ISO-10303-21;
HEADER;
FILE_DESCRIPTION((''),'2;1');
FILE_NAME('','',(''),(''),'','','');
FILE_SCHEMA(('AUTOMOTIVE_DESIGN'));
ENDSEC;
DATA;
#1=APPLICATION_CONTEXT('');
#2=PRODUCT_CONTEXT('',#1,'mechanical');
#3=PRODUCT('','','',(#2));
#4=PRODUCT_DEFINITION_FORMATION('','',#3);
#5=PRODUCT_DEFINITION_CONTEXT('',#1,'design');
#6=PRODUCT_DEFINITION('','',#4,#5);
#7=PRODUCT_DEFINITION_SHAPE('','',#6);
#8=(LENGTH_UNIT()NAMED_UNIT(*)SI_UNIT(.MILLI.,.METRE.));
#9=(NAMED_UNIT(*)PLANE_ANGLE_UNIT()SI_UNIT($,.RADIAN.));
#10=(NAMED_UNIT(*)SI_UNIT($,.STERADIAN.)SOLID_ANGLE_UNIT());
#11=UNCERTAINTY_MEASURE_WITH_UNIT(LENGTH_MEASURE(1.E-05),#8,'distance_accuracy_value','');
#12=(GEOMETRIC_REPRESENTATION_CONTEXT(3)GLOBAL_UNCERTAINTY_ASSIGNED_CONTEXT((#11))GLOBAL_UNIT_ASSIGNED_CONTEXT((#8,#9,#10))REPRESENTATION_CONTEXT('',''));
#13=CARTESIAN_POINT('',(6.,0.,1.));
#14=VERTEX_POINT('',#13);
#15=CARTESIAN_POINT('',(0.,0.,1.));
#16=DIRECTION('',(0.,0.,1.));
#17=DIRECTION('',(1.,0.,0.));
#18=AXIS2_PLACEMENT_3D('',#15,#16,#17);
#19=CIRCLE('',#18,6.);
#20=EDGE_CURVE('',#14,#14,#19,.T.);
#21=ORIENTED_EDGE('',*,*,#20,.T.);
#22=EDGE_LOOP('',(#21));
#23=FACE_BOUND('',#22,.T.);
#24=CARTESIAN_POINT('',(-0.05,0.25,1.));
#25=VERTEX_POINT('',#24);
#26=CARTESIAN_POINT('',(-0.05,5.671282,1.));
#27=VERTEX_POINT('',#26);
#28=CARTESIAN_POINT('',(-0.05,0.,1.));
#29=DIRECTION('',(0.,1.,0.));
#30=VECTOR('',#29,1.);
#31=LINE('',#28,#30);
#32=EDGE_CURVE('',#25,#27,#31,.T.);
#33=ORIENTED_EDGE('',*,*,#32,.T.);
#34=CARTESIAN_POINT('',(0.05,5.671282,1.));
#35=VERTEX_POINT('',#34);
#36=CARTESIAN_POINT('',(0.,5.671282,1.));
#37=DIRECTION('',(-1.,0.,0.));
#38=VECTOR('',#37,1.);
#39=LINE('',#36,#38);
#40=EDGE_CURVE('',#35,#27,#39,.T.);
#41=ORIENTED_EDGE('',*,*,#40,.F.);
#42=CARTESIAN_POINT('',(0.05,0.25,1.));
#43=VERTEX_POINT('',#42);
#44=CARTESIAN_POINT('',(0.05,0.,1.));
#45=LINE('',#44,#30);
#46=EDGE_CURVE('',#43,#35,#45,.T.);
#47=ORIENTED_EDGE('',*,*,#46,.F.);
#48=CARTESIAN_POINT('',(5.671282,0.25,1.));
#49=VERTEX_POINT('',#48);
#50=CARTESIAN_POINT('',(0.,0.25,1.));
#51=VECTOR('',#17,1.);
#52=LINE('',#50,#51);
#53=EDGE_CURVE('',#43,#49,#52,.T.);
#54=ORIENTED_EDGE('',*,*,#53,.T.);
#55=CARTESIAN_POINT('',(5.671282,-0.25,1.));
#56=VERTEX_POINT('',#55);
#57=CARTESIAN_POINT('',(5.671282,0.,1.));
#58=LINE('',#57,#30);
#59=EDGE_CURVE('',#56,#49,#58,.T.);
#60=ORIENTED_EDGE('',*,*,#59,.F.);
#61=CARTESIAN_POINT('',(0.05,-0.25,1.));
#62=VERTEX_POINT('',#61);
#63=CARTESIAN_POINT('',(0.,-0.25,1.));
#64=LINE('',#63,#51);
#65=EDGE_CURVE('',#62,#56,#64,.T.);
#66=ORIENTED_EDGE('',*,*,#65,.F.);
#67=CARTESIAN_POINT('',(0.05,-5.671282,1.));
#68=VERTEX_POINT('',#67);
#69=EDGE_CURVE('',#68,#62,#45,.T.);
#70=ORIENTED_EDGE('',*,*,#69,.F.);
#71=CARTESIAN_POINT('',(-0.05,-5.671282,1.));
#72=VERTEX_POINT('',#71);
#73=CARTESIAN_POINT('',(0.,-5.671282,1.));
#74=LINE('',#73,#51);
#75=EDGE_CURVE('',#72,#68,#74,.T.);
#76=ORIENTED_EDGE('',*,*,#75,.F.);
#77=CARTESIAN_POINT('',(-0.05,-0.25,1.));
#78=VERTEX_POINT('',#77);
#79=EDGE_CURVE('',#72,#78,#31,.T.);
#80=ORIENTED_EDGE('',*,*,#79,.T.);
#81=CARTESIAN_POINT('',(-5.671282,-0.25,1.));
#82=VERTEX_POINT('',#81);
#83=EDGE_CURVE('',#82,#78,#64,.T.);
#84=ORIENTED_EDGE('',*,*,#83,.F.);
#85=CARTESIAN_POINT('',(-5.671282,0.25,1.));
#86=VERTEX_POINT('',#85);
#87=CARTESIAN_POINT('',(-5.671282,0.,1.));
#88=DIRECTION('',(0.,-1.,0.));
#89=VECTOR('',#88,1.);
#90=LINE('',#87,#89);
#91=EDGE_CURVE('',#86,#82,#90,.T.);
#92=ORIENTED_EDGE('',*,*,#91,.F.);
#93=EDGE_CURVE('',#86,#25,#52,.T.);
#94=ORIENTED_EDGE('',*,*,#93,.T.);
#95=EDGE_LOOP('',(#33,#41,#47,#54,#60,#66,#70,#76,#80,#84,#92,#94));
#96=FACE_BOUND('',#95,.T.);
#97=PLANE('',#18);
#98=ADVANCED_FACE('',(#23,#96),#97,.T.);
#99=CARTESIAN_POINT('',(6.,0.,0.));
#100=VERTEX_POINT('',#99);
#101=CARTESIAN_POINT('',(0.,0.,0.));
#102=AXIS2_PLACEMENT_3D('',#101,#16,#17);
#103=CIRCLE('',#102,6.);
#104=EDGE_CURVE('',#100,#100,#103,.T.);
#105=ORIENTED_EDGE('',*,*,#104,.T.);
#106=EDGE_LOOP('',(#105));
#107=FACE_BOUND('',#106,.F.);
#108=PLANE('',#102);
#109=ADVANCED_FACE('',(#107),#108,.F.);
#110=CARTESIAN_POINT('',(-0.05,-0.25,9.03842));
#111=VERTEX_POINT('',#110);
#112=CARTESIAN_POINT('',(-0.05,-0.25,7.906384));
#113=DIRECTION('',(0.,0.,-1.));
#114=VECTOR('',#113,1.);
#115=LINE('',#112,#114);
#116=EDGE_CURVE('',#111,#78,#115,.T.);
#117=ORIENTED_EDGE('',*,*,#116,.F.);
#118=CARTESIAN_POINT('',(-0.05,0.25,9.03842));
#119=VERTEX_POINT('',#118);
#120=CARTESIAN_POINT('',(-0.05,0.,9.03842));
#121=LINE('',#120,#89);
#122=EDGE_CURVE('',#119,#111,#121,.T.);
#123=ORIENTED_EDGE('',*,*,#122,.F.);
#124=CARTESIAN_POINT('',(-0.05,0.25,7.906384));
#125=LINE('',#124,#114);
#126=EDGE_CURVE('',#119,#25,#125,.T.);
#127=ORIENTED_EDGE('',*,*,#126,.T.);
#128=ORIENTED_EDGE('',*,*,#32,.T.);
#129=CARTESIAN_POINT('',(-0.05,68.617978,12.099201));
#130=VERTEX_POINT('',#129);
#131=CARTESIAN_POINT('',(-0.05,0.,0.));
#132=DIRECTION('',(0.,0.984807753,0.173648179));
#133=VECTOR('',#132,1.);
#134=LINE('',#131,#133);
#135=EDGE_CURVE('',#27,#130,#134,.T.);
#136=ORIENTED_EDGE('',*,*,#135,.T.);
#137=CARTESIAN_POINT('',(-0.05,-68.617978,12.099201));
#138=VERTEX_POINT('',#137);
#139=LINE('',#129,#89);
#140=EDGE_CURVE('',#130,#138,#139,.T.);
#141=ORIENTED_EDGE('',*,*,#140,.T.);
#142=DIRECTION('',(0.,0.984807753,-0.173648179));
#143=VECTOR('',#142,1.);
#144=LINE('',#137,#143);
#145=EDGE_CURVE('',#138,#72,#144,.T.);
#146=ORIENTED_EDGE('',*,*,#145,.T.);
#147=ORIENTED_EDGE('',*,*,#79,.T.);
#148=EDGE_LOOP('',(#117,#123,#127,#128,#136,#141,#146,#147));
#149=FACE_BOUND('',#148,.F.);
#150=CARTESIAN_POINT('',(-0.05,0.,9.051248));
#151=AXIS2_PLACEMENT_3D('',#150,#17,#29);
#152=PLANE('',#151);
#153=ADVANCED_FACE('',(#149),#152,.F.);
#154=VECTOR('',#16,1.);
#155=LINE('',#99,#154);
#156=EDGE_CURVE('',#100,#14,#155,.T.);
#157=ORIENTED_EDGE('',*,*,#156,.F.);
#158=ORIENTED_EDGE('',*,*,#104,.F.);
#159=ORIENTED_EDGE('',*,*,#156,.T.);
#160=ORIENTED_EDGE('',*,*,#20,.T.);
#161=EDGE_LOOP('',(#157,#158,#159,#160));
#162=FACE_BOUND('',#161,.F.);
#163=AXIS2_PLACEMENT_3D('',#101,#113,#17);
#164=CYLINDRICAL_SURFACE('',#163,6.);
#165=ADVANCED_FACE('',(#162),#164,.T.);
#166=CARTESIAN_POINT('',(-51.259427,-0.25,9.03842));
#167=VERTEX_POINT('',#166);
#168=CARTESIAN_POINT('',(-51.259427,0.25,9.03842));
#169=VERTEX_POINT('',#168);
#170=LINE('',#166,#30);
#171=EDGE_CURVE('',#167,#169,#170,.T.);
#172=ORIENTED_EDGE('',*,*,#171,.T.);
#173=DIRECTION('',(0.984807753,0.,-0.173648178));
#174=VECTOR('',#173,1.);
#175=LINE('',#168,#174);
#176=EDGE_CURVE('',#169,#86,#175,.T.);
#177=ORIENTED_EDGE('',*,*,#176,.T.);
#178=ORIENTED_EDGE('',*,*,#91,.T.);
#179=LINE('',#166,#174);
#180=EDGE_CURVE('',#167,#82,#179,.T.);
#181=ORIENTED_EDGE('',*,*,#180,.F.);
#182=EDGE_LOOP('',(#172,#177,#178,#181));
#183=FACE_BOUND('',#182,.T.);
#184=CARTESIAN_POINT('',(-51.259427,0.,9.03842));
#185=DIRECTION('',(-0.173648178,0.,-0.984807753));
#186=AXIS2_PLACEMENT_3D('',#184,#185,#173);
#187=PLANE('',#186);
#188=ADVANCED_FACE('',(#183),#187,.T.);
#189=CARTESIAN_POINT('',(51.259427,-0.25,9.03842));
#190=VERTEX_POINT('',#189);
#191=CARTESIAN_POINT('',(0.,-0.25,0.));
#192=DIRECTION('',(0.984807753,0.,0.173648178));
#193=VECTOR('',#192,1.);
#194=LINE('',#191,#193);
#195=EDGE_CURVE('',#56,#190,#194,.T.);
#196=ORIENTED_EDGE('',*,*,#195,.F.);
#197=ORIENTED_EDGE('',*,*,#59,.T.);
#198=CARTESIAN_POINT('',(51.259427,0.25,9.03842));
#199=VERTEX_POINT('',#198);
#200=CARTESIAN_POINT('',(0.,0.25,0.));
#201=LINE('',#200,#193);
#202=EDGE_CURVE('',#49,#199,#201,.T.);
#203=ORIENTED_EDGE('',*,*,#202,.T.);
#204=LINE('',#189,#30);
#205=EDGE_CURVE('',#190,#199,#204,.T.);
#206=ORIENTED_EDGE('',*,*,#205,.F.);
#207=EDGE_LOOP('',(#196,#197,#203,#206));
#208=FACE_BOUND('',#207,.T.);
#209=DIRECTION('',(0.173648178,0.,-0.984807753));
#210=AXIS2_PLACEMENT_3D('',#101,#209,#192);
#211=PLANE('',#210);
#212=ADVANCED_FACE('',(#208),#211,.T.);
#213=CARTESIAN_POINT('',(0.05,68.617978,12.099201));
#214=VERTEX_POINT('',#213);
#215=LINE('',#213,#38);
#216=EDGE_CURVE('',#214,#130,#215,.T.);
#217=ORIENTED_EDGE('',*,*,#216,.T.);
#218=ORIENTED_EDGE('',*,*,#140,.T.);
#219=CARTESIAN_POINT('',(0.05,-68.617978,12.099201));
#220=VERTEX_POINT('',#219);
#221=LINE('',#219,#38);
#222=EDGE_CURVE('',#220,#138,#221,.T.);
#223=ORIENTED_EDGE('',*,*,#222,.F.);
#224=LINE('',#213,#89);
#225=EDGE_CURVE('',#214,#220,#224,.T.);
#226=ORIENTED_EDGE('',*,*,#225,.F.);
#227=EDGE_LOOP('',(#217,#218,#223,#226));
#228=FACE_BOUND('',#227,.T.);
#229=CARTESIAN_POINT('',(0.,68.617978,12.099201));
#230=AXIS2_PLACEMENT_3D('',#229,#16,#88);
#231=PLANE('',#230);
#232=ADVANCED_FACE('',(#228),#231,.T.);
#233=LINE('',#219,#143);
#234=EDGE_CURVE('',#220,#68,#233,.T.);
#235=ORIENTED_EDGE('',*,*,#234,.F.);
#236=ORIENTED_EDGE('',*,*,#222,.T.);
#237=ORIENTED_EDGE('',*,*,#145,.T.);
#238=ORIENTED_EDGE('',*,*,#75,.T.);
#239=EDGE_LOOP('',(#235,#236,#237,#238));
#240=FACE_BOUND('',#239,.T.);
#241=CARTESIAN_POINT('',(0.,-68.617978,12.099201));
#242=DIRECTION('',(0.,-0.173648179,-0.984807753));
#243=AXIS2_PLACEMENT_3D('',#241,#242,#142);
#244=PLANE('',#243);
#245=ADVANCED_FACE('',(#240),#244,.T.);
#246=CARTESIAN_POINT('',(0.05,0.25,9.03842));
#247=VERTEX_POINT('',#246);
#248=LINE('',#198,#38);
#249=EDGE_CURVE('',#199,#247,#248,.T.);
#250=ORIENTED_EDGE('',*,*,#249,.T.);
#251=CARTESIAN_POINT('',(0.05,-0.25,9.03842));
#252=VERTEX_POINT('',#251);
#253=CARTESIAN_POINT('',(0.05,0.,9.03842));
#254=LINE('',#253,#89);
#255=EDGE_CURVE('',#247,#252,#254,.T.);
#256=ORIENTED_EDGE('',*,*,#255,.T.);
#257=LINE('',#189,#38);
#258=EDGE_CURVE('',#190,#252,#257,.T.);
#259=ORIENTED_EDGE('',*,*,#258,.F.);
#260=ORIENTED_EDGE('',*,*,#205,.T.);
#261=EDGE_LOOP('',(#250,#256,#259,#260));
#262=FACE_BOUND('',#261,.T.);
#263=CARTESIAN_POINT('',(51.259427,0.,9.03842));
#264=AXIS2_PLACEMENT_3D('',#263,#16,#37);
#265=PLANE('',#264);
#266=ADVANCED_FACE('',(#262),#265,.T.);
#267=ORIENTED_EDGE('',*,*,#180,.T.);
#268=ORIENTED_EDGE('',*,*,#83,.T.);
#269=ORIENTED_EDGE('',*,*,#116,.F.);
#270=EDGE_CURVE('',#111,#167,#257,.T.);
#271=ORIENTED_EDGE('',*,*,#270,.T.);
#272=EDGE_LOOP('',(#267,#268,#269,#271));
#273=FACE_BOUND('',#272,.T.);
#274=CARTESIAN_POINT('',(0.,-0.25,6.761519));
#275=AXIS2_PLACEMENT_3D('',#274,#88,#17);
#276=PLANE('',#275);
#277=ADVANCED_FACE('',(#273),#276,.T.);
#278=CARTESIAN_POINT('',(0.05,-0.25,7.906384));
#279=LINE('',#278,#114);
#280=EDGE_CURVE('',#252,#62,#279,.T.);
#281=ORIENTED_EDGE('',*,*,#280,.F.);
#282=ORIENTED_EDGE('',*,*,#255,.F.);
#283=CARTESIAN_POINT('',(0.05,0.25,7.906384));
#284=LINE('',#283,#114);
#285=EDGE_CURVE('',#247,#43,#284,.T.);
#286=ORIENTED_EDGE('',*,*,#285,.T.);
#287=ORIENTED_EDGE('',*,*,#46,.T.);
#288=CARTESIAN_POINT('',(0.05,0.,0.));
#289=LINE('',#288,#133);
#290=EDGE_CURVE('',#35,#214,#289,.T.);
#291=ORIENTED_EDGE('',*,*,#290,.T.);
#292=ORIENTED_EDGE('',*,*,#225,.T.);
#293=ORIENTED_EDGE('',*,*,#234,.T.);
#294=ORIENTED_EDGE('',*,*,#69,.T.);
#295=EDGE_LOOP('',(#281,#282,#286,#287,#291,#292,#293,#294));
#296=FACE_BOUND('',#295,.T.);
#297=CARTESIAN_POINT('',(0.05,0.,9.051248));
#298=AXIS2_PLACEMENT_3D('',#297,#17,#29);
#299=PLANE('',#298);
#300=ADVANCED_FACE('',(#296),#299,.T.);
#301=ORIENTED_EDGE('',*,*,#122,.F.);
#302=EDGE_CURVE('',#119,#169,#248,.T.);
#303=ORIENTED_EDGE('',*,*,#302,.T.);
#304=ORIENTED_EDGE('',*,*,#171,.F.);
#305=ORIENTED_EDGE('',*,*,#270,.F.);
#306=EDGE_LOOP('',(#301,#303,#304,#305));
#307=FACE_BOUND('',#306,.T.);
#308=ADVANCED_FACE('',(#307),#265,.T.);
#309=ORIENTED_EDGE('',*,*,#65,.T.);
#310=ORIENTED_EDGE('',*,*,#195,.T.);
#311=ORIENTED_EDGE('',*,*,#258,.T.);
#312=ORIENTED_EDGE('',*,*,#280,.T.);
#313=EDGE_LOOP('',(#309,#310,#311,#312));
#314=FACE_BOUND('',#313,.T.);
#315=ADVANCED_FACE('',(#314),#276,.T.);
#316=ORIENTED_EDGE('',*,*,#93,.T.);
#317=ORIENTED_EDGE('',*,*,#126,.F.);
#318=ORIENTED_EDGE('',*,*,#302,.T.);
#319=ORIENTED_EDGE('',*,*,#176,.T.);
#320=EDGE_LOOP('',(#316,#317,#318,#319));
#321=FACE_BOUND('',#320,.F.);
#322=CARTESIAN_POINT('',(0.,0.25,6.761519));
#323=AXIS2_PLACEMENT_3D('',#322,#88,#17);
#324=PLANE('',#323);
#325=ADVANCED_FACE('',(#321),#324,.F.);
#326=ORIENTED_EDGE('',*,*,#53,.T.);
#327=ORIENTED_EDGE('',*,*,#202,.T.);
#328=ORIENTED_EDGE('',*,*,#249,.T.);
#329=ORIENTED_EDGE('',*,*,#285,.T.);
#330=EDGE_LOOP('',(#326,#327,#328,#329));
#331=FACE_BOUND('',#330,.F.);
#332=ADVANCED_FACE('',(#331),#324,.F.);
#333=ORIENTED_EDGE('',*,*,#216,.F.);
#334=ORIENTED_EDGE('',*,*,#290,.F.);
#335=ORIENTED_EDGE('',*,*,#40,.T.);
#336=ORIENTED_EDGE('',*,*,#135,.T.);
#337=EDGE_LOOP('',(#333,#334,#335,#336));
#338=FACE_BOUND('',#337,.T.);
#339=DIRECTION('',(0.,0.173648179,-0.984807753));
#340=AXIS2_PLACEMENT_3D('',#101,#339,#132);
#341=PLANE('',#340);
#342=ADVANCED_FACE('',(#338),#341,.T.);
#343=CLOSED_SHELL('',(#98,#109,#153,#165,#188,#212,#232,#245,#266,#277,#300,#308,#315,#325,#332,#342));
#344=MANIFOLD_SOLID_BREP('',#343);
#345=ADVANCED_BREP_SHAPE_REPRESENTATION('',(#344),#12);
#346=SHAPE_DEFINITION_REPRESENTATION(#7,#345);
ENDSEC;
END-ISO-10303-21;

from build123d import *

# Parameters (mm, degrees)
F0_R     = 6
F1_DEPTH = 1
F3_DEPTH = 0.05
F5_DEPTH = 0.25


with BuildPart() as f1:
    # F0 (on Top) → F1 (new body)
    with BuildSketch(Plane.XY):
        Circle(F0_R)
    extrude(amount=F1_DEPTH)

    # F2 (on Right) → F3 (join, symmetric)
    with BuildSketch(Plane.YZ):
        Polygon((-68.617978, 12.099201), (0, 0), (68.617978, 12.099201), align=None)
    extrude(amount=F3_DEPTH, both=True)

    # F4 (on Front) → F5 (join, symmetric)
    with BuildSketch(Plane.XZ):
        Polygon((-51.259427, 9.03842), (0, 0), (51.259427, 9.03842), align=None)
    extrude(amount=F5_DEPTH, both=True)


solid = f1.part
